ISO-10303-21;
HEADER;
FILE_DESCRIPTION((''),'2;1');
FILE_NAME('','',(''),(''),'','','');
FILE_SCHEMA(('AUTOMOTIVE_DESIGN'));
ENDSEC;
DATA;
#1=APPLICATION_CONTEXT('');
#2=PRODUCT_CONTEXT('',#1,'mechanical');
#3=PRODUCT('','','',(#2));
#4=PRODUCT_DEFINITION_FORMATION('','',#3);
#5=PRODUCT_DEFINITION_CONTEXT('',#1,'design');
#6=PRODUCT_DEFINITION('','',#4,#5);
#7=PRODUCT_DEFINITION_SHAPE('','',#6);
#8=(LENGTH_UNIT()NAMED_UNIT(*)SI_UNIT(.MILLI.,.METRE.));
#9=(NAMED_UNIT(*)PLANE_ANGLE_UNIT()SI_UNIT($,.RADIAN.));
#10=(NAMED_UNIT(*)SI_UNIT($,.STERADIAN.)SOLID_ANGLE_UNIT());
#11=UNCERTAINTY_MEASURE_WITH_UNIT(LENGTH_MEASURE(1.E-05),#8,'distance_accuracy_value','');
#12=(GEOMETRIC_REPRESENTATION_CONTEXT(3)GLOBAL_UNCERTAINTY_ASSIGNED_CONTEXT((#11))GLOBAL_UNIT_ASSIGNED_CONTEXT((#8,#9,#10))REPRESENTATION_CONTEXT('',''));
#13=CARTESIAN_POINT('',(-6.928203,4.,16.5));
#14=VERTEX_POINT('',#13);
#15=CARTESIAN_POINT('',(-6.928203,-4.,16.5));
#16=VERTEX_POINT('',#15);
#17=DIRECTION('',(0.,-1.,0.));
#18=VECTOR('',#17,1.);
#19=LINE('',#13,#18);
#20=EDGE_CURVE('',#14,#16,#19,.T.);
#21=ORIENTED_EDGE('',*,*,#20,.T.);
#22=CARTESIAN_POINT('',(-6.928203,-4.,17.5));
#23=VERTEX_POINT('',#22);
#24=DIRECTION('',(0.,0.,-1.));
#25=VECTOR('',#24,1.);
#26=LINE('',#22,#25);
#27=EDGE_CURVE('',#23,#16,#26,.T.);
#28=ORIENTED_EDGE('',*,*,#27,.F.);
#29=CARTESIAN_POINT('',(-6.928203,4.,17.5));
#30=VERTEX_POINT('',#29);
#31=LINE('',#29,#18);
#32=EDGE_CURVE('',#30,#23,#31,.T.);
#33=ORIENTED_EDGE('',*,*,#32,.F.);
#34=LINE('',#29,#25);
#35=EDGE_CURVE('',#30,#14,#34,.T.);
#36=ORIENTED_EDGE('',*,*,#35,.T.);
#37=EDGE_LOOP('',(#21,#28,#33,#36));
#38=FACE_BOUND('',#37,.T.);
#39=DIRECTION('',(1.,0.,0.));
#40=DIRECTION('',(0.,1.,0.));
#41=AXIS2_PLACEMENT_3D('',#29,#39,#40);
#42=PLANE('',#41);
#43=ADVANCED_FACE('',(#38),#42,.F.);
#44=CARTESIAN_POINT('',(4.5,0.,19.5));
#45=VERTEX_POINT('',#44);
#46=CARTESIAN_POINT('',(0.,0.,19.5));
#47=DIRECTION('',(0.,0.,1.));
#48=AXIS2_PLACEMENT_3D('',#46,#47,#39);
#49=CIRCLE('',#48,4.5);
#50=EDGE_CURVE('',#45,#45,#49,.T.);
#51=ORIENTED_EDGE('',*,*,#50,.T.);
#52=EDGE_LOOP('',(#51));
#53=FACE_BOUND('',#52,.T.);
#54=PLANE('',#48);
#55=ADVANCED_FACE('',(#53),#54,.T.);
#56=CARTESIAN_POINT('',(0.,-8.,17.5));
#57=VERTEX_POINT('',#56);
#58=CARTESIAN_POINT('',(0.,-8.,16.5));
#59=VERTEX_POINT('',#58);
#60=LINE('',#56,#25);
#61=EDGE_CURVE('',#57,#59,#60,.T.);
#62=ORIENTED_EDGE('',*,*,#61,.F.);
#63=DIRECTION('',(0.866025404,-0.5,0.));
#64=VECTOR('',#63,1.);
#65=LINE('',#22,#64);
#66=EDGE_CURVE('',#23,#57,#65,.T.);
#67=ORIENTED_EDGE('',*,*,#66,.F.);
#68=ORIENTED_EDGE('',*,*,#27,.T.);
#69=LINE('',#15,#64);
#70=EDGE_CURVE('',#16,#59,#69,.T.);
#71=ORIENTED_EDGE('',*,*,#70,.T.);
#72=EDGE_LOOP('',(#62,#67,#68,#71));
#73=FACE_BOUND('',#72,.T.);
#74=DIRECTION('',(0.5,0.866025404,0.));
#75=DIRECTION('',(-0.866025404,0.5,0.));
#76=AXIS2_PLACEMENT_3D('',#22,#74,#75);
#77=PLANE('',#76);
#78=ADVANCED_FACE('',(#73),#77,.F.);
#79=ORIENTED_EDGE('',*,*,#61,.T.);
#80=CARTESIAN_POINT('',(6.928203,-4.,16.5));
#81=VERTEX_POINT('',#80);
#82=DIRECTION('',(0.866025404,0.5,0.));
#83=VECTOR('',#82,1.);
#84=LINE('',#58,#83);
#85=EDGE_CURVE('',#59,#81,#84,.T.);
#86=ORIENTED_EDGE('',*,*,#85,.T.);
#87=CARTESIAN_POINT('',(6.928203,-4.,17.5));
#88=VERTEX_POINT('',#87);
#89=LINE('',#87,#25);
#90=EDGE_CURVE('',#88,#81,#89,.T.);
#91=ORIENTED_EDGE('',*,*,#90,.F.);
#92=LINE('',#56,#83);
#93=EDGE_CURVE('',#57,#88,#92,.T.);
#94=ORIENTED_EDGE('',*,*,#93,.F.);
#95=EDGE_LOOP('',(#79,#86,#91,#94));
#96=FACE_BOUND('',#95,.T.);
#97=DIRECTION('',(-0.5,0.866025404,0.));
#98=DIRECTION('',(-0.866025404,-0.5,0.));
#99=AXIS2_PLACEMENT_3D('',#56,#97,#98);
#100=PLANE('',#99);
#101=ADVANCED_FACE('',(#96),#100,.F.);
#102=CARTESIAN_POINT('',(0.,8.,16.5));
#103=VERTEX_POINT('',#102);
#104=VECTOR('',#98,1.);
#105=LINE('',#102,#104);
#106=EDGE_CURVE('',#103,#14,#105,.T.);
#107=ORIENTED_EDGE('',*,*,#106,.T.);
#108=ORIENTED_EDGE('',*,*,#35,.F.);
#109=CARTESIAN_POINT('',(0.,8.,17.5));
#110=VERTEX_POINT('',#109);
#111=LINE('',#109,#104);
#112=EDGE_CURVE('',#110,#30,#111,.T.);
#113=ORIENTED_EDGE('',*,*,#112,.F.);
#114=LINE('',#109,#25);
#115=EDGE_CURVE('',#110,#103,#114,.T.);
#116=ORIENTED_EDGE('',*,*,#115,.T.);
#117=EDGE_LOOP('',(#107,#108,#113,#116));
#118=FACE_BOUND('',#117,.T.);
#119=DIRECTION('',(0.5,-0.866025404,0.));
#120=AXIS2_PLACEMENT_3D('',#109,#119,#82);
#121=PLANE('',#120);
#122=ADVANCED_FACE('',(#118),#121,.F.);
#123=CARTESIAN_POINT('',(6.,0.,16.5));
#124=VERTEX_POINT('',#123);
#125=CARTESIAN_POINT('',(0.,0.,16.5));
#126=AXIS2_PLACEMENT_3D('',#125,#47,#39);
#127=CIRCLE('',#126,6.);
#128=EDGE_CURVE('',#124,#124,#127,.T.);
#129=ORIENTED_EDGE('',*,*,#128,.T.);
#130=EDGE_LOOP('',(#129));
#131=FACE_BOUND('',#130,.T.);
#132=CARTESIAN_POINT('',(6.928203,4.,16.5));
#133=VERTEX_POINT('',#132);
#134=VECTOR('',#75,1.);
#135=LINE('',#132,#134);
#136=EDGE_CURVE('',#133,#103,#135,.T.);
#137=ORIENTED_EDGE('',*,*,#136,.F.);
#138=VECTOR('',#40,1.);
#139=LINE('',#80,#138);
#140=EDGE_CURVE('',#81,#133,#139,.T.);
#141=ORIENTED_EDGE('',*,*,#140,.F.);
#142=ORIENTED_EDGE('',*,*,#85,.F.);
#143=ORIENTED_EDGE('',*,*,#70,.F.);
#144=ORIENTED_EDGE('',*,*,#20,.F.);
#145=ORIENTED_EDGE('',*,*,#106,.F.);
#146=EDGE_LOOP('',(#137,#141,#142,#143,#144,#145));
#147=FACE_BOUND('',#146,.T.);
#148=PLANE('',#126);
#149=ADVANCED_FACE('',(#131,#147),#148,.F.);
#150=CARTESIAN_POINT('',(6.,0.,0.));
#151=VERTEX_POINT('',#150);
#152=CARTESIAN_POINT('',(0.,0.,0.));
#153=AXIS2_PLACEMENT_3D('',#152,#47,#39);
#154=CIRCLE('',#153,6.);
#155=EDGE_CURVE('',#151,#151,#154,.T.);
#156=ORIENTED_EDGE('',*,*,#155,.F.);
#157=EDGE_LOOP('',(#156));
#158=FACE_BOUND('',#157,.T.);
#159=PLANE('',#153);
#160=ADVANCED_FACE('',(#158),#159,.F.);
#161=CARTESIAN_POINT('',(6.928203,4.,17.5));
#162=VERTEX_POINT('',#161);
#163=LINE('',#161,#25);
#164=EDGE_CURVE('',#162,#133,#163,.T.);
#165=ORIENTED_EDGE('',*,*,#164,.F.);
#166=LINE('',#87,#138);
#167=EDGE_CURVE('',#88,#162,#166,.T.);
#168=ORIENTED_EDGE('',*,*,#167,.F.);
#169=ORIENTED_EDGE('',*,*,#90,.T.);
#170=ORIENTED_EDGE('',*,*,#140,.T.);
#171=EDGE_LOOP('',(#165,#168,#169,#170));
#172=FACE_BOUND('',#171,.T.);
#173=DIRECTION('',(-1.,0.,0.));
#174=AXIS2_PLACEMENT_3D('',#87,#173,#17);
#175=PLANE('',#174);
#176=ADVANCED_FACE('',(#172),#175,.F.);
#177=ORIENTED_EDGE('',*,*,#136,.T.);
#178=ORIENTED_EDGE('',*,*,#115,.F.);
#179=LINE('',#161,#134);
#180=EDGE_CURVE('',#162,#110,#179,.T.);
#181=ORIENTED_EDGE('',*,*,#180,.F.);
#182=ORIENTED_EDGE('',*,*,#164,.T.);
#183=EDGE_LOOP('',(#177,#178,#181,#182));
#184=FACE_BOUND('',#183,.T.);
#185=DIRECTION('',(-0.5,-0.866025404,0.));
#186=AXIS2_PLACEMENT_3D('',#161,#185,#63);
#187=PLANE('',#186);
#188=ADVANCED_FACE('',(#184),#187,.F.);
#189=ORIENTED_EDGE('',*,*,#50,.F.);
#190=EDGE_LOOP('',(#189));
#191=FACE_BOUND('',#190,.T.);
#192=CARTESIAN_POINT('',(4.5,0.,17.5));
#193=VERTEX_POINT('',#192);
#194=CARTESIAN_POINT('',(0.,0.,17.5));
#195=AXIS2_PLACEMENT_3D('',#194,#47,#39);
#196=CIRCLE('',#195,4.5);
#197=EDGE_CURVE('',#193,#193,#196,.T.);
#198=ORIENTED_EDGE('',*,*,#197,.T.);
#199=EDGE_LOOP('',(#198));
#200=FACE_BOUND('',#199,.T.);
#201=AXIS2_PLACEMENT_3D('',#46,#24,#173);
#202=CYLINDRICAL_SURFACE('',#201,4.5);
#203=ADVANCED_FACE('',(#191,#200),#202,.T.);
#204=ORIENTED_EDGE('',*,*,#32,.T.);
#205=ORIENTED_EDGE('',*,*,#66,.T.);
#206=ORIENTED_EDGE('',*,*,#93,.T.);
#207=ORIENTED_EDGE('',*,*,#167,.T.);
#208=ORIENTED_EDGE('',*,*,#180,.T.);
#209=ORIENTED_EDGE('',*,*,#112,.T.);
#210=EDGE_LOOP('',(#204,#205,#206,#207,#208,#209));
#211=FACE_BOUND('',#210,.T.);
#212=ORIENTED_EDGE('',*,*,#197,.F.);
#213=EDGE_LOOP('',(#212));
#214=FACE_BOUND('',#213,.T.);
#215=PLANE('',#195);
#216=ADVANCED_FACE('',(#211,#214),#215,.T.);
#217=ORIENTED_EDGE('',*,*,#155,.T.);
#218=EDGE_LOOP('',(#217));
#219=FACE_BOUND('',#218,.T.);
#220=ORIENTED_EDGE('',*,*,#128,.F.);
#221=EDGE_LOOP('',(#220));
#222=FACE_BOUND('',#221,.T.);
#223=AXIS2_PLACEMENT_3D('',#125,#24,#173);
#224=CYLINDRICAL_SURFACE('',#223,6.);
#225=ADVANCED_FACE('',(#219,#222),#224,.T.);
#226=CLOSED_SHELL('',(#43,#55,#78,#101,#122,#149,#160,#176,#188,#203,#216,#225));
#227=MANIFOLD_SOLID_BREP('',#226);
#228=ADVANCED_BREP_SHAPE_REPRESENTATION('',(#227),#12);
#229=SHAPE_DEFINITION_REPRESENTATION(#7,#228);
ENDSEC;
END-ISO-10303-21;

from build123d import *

# Parameters (mm, degrees)
SKETCH_1_R      = 6
EXTRUDE_1_DEPTH = 16.5
EXTRUDE_2_DEPTH = 1
SKETCH_3_R      = 4.5
EXTRUDE_3_DEPTH = 2


with BuildPart() as part:
    # 草图1 → 凸台-拉伸1 (new body)
    with BuildSketch(Plane.XY):
        Circle(SKETCH_1_R)
    extrude(amount=EXTRUDE_1_DEPTH)

    # 草图2 → 凸台-拉伸2 (add)
    with BuildSketch(Plane.XY.offset(16.5)):
        Polygon((0, 8), (-6.92820323, 4), (-6.92820323, -4), (0, -8), (6.92820323, -4), (6.92820323, 4), align=None)
    extrude(amount=EXTRUDE_2_DEPTH)

    # 草图3 → 凸台-拉伸3 (add)
    with BuildSketch(Plane.XY.offset(17.5)):
        Circle(SKETCH_3_R)
    extrude(amount=EXTRUDE_3_DEPTH)


solid = part.part
